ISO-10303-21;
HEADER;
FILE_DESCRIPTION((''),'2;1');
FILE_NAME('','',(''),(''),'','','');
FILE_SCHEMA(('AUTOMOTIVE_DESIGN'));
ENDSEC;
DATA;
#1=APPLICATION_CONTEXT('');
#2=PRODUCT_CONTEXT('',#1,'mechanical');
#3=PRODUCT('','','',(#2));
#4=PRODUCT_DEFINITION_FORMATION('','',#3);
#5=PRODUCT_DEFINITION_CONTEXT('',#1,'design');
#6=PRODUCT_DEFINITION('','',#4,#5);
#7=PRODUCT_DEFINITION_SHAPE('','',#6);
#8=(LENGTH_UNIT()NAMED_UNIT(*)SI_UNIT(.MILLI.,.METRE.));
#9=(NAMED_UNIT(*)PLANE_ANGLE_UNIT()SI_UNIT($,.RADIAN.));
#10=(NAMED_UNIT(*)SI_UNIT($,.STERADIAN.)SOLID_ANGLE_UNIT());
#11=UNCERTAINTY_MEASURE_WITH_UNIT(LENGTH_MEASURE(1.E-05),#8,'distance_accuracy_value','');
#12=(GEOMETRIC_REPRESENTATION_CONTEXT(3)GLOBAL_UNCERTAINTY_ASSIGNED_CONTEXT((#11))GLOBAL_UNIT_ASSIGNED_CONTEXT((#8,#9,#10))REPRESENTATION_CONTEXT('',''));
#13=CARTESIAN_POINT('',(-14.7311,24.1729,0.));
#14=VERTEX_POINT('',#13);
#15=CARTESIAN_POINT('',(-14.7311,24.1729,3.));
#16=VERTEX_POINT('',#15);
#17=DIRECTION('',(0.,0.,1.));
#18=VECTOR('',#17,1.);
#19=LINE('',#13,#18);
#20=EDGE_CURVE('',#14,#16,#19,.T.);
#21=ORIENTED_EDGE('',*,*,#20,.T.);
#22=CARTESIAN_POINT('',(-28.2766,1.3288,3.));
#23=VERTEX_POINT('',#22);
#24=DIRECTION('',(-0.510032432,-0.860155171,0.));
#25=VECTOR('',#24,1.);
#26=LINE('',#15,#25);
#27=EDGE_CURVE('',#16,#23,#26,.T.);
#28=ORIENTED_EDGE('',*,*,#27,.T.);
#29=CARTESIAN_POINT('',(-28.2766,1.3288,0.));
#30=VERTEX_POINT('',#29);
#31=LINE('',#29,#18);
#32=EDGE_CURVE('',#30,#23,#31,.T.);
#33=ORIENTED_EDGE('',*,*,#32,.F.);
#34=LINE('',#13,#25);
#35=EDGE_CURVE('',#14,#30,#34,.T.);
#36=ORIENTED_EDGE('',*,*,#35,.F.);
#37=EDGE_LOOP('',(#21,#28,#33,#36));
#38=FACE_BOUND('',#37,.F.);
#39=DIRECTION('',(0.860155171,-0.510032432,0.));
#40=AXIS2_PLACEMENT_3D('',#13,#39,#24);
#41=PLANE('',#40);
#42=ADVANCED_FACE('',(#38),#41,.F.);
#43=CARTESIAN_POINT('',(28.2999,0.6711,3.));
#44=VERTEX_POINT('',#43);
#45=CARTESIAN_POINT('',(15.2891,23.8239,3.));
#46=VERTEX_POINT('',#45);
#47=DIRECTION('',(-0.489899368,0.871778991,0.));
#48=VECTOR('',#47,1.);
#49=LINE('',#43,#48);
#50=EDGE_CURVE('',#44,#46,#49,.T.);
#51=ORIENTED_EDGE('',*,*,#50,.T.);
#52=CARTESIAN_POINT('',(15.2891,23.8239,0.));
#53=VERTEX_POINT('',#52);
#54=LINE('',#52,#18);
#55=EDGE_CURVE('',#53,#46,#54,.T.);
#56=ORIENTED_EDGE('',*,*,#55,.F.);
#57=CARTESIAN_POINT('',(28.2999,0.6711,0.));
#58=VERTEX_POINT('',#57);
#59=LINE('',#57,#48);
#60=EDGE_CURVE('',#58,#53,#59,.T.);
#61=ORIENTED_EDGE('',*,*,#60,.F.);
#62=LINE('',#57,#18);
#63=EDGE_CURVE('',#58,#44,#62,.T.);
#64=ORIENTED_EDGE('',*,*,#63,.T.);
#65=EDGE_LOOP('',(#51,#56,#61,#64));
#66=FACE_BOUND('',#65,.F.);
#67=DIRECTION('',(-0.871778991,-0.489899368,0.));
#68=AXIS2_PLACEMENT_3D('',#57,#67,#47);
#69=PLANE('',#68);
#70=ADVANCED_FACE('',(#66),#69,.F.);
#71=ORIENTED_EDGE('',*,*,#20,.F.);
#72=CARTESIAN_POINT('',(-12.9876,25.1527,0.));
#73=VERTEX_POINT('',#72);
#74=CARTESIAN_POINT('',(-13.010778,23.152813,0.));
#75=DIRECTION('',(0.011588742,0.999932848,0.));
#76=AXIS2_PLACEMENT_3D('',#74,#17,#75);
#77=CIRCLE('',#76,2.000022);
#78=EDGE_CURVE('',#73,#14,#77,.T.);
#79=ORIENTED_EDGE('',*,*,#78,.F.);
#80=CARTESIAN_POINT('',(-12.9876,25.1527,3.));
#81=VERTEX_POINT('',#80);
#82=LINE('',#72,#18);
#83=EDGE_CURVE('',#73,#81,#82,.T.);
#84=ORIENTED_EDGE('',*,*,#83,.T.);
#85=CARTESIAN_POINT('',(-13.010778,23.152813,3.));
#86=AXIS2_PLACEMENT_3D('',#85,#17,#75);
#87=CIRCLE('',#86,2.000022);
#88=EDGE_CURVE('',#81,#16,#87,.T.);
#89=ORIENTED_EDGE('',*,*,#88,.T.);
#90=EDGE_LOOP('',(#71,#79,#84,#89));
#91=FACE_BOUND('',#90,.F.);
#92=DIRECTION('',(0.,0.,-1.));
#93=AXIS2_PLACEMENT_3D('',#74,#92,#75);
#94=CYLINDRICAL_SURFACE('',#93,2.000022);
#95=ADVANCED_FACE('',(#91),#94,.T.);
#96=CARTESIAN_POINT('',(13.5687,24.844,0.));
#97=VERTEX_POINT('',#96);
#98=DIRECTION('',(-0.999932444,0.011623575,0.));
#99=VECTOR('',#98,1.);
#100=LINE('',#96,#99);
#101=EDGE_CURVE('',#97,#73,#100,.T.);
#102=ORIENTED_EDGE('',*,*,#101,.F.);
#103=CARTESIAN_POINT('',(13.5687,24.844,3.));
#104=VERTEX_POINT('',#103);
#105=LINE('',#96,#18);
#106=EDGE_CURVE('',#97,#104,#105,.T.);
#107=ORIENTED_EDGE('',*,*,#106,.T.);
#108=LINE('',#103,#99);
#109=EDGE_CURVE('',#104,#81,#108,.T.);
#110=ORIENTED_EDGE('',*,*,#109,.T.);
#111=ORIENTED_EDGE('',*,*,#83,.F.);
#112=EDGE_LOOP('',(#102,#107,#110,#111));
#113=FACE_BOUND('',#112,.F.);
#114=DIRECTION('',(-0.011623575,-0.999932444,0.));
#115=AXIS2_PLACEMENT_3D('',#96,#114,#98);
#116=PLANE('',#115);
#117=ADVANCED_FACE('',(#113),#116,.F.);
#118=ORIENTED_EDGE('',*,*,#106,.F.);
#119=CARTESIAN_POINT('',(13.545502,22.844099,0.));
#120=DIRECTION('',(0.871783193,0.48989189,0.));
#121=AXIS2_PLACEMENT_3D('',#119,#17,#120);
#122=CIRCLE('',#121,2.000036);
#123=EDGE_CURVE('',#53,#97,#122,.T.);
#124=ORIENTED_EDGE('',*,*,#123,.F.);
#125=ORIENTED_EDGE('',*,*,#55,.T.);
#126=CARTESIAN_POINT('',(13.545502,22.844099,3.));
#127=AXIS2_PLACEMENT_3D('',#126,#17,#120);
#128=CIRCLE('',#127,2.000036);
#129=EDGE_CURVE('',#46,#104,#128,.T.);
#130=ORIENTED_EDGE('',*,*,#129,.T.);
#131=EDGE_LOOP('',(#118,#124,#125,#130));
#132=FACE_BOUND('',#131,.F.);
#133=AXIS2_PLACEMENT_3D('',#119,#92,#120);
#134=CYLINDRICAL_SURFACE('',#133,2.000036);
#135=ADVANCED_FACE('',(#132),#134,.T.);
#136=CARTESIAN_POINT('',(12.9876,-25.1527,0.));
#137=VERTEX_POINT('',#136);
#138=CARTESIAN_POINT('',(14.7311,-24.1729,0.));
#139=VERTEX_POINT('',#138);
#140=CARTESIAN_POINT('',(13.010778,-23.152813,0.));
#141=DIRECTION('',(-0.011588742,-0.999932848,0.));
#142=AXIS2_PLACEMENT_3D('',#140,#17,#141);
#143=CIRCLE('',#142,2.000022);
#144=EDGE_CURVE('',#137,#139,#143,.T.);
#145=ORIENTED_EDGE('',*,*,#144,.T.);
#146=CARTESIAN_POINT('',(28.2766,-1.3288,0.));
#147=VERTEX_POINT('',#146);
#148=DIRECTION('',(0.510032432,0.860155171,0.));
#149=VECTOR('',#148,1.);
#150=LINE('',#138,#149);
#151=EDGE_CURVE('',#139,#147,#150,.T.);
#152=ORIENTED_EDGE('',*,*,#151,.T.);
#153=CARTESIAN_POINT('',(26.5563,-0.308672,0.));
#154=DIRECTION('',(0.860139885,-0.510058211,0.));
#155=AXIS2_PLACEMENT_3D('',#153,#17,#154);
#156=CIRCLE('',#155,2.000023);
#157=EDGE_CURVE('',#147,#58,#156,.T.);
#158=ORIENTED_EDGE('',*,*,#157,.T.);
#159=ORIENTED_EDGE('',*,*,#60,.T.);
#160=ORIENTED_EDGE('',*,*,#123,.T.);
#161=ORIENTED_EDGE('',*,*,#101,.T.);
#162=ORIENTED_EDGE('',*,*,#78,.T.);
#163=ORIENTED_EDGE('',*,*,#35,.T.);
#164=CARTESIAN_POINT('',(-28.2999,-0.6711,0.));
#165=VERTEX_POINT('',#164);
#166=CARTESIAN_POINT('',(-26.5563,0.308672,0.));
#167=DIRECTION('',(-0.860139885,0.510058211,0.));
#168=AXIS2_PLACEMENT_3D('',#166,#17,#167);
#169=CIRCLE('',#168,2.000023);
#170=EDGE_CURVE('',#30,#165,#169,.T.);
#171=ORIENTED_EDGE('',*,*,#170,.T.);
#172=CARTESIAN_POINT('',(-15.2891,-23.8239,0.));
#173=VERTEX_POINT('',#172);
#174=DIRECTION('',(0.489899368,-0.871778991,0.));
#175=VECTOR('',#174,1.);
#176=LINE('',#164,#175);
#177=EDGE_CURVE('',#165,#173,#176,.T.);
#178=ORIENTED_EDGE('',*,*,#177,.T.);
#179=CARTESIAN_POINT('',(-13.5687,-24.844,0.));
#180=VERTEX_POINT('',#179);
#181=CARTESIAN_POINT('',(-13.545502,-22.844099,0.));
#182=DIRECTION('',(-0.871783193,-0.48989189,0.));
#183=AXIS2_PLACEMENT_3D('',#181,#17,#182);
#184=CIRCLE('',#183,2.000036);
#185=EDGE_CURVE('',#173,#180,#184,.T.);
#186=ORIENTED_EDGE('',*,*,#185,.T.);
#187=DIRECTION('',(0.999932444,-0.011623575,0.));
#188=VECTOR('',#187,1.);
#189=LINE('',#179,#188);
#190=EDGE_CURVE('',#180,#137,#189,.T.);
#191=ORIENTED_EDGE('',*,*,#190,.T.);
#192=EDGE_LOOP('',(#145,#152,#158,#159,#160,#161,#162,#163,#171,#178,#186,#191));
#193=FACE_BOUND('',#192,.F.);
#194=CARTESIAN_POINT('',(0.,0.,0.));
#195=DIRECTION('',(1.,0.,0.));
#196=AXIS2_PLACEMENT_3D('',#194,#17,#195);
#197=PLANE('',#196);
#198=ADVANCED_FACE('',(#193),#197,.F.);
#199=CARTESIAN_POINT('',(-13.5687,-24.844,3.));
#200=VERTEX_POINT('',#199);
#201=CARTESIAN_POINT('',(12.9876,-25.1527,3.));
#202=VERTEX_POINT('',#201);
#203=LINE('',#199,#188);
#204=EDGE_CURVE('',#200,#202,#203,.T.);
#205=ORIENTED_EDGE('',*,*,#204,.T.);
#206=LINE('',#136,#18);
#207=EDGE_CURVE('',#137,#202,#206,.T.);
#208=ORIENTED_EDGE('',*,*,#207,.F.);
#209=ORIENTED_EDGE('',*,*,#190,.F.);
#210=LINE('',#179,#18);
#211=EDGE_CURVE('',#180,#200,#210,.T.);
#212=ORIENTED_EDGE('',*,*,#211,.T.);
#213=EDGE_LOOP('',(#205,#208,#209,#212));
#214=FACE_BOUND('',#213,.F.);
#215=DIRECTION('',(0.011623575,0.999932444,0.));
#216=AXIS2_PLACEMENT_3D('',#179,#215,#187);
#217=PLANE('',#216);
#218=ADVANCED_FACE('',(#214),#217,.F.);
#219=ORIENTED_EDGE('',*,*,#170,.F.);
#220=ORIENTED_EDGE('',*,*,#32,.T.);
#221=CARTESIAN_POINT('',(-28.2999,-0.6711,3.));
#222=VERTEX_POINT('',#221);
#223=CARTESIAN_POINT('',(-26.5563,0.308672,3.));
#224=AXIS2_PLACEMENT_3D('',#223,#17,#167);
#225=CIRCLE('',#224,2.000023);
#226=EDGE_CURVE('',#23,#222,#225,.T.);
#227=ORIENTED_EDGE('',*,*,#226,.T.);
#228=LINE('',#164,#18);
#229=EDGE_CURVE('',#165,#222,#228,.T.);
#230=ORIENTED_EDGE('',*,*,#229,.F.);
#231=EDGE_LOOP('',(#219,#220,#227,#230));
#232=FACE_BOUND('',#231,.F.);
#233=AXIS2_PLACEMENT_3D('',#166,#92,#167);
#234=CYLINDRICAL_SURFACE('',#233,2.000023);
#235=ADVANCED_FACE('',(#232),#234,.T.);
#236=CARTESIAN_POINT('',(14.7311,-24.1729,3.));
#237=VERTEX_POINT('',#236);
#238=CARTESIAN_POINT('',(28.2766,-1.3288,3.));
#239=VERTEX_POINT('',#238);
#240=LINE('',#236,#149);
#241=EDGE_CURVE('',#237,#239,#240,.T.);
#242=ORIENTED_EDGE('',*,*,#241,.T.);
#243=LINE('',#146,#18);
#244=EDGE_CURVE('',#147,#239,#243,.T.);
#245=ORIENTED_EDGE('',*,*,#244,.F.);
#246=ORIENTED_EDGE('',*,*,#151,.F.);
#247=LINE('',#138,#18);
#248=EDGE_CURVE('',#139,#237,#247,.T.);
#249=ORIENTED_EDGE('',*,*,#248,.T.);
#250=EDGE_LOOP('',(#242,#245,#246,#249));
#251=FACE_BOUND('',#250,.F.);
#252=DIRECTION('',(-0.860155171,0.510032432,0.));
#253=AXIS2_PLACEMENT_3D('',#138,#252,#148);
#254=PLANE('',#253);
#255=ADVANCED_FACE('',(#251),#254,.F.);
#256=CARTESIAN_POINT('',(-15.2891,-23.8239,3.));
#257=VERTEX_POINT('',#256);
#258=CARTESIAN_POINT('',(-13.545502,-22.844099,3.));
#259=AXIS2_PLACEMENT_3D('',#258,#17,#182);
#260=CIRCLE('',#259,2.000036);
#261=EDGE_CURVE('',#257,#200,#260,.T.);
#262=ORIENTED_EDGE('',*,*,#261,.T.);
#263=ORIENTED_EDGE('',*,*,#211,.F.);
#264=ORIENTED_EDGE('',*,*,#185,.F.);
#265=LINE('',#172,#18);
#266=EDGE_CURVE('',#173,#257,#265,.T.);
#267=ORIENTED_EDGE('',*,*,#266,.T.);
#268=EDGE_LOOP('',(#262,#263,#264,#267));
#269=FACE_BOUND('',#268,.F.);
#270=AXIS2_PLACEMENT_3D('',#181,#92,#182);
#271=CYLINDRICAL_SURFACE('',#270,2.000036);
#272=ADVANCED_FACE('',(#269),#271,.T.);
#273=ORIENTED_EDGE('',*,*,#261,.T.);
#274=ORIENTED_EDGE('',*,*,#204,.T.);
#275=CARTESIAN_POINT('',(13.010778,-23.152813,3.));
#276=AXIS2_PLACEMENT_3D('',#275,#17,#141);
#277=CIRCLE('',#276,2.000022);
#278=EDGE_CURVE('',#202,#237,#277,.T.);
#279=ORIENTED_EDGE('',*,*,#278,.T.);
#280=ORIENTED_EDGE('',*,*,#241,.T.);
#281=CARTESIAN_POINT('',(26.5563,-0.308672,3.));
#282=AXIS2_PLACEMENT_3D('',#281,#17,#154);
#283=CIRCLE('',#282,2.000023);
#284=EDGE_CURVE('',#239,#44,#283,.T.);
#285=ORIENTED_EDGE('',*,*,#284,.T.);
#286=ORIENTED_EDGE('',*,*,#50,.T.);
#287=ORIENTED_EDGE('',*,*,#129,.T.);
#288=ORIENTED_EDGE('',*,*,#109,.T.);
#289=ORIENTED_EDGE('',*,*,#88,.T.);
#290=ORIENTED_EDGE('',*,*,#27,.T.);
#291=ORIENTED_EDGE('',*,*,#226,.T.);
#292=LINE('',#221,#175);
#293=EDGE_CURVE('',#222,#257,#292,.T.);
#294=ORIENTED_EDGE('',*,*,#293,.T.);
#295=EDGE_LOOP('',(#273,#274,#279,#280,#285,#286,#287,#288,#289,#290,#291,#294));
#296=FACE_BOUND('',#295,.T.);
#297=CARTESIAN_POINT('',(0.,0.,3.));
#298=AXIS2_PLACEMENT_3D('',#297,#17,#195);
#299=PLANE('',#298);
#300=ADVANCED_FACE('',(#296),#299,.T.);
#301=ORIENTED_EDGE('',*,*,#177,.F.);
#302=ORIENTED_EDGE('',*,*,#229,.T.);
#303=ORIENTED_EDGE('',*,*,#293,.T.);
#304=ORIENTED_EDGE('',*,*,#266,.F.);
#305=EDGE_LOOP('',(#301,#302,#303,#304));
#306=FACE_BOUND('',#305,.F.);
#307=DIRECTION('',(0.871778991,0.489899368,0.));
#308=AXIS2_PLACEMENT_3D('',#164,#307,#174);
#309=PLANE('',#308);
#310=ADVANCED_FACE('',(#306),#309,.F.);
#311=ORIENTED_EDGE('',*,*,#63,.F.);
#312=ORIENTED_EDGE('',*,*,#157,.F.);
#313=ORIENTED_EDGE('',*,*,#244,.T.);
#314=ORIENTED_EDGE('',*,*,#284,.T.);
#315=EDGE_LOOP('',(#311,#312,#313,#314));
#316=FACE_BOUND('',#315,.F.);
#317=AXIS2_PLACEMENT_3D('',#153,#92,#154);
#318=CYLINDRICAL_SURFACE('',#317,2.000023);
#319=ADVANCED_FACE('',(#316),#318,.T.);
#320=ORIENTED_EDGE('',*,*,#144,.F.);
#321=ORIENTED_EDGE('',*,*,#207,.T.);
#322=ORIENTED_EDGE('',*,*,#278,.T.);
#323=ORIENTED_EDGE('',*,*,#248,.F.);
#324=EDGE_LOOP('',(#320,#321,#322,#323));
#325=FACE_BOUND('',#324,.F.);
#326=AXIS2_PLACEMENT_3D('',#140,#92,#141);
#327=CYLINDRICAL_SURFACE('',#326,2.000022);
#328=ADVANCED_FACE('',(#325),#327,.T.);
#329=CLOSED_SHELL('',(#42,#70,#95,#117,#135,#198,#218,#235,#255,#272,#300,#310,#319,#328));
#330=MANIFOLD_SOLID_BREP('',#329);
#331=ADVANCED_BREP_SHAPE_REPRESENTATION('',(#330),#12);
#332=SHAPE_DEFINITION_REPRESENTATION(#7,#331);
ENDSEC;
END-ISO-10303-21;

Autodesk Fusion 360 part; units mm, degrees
sketch "Sketch1" plane through (0, 0, 0) normal (0, 0, 1) x (1, 0, 0)
  line L0 (13.5687, 24.844) -> (-12.9876, 25.1527)
  line L1 (-14.7311, 24.1729) -> (-28.2766, 1.3288)
  line L2 (-28.2999, -0.6711) -> (-15.2891, -23.8239)
  line L3 (-13.5687, -24.844) -> (12.9876, -25.1527)
  line L4 (14.7311, -24.1729) -> (28.2766, -1.3288)
  line L5 (28.2999, 0.6711) -> (15.2891, 23.8239)
  arc A0 (-12.9876, 25.1527) -> (-14.7311, 24.1729) centre (-13.0108, 23.1528) ccw
  arc A1 (15.2891, 23.8239) -> (13.5687, 24.844) centre (13.5455, 22.8441) ccw
  arc A2 (28.2766, -1.3288) -> (28.2999, 0.6711) centre (26.5563, -0.3087) ccw
  arc A3 (12.9876, -25.1527) -> (14.7311, -24.1729) centre (13.0108, -23.1528) ccw
  arc A4 (-15.2891, -23.8239) -> (-13.5687, -24.844) centre (-13.5455, -22.8441) ccw
  arc A5 (-28.2766, 1.3288) -> (-28.2999, -0.6711) centre (-26.5563, 0.3087) ccw
  point P0 (-12.5, 7.2169)
  dimension "d1" = 25
  dimension "d7" = 2
  dimension "d8" = 2
  dimension "d9" = 2
  dimension "d10" = 2
  dimension "d11" = 2
  dimension "d12" = 2
extrude "Extrude1" add sketch "Sketch1" along normal blind 3
